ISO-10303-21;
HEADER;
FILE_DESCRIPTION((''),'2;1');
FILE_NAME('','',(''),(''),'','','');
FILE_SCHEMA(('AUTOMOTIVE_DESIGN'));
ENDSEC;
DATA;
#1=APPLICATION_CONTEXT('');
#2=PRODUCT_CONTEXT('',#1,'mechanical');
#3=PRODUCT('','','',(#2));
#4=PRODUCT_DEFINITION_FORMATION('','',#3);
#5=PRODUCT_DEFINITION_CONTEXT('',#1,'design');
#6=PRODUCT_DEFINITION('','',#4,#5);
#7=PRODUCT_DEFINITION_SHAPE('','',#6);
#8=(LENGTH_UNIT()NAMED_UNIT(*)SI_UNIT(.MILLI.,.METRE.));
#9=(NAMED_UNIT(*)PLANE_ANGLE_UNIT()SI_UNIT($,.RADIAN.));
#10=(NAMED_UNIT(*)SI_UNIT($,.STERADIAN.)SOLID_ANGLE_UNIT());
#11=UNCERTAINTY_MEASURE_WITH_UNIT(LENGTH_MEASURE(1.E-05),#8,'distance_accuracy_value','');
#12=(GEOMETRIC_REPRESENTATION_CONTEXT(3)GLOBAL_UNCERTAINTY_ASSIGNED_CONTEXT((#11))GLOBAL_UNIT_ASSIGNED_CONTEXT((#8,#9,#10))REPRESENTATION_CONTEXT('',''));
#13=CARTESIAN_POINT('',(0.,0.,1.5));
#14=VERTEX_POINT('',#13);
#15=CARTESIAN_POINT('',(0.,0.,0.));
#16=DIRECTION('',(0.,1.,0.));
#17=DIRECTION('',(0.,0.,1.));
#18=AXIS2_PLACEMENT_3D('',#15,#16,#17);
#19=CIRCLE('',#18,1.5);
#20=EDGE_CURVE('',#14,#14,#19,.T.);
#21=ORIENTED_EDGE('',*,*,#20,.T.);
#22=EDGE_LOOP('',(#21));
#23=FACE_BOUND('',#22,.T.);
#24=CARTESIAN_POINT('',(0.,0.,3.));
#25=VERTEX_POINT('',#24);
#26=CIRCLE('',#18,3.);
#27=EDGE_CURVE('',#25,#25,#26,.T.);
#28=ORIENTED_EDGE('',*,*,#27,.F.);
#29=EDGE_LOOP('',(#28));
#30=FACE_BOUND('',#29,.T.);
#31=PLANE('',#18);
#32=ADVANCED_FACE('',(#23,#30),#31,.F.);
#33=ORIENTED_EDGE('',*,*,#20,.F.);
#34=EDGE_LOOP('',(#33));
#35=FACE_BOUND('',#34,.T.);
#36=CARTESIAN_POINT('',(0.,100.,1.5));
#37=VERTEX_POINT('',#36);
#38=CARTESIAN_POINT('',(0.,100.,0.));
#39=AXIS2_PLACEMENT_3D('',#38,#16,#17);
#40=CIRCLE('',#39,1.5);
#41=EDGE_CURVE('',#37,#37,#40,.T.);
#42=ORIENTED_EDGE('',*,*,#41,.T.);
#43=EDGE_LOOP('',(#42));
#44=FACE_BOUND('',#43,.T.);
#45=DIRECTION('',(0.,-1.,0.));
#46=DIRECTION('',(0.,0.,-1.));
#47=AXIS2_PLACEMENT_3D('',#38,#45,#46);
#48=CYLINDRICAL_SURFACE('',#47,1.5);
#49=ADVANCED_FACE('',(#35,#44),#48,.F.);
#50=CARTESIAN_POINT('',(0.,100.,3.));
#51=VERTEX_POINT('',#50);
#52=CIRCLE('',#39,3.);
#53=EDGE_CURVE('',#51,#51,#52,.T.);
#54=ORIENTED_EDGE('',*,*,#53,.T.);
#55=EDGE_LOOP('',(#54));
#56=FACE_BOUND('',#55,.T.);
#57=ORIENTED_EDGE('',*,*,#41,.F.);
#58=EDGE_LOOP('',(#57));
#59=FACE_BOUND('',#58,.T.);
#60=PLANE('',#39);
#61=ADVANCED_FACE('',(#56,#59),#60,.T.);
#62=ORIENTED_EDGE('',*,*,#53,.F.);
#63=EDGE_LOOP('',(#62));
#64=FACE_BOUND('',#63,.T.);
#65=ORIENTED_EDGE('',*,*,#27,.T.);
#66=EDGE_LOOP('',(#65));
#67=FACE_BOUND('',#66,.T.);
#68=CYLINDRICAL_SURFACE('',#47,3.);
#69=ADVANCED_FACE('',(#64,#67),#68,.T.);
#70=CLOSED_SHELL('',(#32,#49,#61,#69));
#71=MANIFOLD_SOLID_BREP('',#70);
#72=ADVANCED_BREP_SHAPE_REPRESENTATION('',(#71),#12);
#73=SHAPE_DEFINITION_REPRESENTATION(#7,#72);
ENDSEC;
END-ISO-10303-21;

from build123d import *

# Parameters (mm, degrees)
SKETCH_1_R      = 3
SKETCH_1_R_2    = 1.5
EXTRUDE_1_DEPTH = 100


with BuildPart() as part:
    # 草图1 → 凸台-拉伸1 (new body)
    with BuildSketch(Plane(origin=(0, 0, 0), x_dir=(1, 0, 0), z_dir=(0, 1, 0))):
        Circle(SKETCH_1_R)
        Circle(SKETCH_1_R_2, mode=Mode.SUBTRACT)
    extrude(amount=EXTRUDE_1_DEPTH)


solid = part.part
